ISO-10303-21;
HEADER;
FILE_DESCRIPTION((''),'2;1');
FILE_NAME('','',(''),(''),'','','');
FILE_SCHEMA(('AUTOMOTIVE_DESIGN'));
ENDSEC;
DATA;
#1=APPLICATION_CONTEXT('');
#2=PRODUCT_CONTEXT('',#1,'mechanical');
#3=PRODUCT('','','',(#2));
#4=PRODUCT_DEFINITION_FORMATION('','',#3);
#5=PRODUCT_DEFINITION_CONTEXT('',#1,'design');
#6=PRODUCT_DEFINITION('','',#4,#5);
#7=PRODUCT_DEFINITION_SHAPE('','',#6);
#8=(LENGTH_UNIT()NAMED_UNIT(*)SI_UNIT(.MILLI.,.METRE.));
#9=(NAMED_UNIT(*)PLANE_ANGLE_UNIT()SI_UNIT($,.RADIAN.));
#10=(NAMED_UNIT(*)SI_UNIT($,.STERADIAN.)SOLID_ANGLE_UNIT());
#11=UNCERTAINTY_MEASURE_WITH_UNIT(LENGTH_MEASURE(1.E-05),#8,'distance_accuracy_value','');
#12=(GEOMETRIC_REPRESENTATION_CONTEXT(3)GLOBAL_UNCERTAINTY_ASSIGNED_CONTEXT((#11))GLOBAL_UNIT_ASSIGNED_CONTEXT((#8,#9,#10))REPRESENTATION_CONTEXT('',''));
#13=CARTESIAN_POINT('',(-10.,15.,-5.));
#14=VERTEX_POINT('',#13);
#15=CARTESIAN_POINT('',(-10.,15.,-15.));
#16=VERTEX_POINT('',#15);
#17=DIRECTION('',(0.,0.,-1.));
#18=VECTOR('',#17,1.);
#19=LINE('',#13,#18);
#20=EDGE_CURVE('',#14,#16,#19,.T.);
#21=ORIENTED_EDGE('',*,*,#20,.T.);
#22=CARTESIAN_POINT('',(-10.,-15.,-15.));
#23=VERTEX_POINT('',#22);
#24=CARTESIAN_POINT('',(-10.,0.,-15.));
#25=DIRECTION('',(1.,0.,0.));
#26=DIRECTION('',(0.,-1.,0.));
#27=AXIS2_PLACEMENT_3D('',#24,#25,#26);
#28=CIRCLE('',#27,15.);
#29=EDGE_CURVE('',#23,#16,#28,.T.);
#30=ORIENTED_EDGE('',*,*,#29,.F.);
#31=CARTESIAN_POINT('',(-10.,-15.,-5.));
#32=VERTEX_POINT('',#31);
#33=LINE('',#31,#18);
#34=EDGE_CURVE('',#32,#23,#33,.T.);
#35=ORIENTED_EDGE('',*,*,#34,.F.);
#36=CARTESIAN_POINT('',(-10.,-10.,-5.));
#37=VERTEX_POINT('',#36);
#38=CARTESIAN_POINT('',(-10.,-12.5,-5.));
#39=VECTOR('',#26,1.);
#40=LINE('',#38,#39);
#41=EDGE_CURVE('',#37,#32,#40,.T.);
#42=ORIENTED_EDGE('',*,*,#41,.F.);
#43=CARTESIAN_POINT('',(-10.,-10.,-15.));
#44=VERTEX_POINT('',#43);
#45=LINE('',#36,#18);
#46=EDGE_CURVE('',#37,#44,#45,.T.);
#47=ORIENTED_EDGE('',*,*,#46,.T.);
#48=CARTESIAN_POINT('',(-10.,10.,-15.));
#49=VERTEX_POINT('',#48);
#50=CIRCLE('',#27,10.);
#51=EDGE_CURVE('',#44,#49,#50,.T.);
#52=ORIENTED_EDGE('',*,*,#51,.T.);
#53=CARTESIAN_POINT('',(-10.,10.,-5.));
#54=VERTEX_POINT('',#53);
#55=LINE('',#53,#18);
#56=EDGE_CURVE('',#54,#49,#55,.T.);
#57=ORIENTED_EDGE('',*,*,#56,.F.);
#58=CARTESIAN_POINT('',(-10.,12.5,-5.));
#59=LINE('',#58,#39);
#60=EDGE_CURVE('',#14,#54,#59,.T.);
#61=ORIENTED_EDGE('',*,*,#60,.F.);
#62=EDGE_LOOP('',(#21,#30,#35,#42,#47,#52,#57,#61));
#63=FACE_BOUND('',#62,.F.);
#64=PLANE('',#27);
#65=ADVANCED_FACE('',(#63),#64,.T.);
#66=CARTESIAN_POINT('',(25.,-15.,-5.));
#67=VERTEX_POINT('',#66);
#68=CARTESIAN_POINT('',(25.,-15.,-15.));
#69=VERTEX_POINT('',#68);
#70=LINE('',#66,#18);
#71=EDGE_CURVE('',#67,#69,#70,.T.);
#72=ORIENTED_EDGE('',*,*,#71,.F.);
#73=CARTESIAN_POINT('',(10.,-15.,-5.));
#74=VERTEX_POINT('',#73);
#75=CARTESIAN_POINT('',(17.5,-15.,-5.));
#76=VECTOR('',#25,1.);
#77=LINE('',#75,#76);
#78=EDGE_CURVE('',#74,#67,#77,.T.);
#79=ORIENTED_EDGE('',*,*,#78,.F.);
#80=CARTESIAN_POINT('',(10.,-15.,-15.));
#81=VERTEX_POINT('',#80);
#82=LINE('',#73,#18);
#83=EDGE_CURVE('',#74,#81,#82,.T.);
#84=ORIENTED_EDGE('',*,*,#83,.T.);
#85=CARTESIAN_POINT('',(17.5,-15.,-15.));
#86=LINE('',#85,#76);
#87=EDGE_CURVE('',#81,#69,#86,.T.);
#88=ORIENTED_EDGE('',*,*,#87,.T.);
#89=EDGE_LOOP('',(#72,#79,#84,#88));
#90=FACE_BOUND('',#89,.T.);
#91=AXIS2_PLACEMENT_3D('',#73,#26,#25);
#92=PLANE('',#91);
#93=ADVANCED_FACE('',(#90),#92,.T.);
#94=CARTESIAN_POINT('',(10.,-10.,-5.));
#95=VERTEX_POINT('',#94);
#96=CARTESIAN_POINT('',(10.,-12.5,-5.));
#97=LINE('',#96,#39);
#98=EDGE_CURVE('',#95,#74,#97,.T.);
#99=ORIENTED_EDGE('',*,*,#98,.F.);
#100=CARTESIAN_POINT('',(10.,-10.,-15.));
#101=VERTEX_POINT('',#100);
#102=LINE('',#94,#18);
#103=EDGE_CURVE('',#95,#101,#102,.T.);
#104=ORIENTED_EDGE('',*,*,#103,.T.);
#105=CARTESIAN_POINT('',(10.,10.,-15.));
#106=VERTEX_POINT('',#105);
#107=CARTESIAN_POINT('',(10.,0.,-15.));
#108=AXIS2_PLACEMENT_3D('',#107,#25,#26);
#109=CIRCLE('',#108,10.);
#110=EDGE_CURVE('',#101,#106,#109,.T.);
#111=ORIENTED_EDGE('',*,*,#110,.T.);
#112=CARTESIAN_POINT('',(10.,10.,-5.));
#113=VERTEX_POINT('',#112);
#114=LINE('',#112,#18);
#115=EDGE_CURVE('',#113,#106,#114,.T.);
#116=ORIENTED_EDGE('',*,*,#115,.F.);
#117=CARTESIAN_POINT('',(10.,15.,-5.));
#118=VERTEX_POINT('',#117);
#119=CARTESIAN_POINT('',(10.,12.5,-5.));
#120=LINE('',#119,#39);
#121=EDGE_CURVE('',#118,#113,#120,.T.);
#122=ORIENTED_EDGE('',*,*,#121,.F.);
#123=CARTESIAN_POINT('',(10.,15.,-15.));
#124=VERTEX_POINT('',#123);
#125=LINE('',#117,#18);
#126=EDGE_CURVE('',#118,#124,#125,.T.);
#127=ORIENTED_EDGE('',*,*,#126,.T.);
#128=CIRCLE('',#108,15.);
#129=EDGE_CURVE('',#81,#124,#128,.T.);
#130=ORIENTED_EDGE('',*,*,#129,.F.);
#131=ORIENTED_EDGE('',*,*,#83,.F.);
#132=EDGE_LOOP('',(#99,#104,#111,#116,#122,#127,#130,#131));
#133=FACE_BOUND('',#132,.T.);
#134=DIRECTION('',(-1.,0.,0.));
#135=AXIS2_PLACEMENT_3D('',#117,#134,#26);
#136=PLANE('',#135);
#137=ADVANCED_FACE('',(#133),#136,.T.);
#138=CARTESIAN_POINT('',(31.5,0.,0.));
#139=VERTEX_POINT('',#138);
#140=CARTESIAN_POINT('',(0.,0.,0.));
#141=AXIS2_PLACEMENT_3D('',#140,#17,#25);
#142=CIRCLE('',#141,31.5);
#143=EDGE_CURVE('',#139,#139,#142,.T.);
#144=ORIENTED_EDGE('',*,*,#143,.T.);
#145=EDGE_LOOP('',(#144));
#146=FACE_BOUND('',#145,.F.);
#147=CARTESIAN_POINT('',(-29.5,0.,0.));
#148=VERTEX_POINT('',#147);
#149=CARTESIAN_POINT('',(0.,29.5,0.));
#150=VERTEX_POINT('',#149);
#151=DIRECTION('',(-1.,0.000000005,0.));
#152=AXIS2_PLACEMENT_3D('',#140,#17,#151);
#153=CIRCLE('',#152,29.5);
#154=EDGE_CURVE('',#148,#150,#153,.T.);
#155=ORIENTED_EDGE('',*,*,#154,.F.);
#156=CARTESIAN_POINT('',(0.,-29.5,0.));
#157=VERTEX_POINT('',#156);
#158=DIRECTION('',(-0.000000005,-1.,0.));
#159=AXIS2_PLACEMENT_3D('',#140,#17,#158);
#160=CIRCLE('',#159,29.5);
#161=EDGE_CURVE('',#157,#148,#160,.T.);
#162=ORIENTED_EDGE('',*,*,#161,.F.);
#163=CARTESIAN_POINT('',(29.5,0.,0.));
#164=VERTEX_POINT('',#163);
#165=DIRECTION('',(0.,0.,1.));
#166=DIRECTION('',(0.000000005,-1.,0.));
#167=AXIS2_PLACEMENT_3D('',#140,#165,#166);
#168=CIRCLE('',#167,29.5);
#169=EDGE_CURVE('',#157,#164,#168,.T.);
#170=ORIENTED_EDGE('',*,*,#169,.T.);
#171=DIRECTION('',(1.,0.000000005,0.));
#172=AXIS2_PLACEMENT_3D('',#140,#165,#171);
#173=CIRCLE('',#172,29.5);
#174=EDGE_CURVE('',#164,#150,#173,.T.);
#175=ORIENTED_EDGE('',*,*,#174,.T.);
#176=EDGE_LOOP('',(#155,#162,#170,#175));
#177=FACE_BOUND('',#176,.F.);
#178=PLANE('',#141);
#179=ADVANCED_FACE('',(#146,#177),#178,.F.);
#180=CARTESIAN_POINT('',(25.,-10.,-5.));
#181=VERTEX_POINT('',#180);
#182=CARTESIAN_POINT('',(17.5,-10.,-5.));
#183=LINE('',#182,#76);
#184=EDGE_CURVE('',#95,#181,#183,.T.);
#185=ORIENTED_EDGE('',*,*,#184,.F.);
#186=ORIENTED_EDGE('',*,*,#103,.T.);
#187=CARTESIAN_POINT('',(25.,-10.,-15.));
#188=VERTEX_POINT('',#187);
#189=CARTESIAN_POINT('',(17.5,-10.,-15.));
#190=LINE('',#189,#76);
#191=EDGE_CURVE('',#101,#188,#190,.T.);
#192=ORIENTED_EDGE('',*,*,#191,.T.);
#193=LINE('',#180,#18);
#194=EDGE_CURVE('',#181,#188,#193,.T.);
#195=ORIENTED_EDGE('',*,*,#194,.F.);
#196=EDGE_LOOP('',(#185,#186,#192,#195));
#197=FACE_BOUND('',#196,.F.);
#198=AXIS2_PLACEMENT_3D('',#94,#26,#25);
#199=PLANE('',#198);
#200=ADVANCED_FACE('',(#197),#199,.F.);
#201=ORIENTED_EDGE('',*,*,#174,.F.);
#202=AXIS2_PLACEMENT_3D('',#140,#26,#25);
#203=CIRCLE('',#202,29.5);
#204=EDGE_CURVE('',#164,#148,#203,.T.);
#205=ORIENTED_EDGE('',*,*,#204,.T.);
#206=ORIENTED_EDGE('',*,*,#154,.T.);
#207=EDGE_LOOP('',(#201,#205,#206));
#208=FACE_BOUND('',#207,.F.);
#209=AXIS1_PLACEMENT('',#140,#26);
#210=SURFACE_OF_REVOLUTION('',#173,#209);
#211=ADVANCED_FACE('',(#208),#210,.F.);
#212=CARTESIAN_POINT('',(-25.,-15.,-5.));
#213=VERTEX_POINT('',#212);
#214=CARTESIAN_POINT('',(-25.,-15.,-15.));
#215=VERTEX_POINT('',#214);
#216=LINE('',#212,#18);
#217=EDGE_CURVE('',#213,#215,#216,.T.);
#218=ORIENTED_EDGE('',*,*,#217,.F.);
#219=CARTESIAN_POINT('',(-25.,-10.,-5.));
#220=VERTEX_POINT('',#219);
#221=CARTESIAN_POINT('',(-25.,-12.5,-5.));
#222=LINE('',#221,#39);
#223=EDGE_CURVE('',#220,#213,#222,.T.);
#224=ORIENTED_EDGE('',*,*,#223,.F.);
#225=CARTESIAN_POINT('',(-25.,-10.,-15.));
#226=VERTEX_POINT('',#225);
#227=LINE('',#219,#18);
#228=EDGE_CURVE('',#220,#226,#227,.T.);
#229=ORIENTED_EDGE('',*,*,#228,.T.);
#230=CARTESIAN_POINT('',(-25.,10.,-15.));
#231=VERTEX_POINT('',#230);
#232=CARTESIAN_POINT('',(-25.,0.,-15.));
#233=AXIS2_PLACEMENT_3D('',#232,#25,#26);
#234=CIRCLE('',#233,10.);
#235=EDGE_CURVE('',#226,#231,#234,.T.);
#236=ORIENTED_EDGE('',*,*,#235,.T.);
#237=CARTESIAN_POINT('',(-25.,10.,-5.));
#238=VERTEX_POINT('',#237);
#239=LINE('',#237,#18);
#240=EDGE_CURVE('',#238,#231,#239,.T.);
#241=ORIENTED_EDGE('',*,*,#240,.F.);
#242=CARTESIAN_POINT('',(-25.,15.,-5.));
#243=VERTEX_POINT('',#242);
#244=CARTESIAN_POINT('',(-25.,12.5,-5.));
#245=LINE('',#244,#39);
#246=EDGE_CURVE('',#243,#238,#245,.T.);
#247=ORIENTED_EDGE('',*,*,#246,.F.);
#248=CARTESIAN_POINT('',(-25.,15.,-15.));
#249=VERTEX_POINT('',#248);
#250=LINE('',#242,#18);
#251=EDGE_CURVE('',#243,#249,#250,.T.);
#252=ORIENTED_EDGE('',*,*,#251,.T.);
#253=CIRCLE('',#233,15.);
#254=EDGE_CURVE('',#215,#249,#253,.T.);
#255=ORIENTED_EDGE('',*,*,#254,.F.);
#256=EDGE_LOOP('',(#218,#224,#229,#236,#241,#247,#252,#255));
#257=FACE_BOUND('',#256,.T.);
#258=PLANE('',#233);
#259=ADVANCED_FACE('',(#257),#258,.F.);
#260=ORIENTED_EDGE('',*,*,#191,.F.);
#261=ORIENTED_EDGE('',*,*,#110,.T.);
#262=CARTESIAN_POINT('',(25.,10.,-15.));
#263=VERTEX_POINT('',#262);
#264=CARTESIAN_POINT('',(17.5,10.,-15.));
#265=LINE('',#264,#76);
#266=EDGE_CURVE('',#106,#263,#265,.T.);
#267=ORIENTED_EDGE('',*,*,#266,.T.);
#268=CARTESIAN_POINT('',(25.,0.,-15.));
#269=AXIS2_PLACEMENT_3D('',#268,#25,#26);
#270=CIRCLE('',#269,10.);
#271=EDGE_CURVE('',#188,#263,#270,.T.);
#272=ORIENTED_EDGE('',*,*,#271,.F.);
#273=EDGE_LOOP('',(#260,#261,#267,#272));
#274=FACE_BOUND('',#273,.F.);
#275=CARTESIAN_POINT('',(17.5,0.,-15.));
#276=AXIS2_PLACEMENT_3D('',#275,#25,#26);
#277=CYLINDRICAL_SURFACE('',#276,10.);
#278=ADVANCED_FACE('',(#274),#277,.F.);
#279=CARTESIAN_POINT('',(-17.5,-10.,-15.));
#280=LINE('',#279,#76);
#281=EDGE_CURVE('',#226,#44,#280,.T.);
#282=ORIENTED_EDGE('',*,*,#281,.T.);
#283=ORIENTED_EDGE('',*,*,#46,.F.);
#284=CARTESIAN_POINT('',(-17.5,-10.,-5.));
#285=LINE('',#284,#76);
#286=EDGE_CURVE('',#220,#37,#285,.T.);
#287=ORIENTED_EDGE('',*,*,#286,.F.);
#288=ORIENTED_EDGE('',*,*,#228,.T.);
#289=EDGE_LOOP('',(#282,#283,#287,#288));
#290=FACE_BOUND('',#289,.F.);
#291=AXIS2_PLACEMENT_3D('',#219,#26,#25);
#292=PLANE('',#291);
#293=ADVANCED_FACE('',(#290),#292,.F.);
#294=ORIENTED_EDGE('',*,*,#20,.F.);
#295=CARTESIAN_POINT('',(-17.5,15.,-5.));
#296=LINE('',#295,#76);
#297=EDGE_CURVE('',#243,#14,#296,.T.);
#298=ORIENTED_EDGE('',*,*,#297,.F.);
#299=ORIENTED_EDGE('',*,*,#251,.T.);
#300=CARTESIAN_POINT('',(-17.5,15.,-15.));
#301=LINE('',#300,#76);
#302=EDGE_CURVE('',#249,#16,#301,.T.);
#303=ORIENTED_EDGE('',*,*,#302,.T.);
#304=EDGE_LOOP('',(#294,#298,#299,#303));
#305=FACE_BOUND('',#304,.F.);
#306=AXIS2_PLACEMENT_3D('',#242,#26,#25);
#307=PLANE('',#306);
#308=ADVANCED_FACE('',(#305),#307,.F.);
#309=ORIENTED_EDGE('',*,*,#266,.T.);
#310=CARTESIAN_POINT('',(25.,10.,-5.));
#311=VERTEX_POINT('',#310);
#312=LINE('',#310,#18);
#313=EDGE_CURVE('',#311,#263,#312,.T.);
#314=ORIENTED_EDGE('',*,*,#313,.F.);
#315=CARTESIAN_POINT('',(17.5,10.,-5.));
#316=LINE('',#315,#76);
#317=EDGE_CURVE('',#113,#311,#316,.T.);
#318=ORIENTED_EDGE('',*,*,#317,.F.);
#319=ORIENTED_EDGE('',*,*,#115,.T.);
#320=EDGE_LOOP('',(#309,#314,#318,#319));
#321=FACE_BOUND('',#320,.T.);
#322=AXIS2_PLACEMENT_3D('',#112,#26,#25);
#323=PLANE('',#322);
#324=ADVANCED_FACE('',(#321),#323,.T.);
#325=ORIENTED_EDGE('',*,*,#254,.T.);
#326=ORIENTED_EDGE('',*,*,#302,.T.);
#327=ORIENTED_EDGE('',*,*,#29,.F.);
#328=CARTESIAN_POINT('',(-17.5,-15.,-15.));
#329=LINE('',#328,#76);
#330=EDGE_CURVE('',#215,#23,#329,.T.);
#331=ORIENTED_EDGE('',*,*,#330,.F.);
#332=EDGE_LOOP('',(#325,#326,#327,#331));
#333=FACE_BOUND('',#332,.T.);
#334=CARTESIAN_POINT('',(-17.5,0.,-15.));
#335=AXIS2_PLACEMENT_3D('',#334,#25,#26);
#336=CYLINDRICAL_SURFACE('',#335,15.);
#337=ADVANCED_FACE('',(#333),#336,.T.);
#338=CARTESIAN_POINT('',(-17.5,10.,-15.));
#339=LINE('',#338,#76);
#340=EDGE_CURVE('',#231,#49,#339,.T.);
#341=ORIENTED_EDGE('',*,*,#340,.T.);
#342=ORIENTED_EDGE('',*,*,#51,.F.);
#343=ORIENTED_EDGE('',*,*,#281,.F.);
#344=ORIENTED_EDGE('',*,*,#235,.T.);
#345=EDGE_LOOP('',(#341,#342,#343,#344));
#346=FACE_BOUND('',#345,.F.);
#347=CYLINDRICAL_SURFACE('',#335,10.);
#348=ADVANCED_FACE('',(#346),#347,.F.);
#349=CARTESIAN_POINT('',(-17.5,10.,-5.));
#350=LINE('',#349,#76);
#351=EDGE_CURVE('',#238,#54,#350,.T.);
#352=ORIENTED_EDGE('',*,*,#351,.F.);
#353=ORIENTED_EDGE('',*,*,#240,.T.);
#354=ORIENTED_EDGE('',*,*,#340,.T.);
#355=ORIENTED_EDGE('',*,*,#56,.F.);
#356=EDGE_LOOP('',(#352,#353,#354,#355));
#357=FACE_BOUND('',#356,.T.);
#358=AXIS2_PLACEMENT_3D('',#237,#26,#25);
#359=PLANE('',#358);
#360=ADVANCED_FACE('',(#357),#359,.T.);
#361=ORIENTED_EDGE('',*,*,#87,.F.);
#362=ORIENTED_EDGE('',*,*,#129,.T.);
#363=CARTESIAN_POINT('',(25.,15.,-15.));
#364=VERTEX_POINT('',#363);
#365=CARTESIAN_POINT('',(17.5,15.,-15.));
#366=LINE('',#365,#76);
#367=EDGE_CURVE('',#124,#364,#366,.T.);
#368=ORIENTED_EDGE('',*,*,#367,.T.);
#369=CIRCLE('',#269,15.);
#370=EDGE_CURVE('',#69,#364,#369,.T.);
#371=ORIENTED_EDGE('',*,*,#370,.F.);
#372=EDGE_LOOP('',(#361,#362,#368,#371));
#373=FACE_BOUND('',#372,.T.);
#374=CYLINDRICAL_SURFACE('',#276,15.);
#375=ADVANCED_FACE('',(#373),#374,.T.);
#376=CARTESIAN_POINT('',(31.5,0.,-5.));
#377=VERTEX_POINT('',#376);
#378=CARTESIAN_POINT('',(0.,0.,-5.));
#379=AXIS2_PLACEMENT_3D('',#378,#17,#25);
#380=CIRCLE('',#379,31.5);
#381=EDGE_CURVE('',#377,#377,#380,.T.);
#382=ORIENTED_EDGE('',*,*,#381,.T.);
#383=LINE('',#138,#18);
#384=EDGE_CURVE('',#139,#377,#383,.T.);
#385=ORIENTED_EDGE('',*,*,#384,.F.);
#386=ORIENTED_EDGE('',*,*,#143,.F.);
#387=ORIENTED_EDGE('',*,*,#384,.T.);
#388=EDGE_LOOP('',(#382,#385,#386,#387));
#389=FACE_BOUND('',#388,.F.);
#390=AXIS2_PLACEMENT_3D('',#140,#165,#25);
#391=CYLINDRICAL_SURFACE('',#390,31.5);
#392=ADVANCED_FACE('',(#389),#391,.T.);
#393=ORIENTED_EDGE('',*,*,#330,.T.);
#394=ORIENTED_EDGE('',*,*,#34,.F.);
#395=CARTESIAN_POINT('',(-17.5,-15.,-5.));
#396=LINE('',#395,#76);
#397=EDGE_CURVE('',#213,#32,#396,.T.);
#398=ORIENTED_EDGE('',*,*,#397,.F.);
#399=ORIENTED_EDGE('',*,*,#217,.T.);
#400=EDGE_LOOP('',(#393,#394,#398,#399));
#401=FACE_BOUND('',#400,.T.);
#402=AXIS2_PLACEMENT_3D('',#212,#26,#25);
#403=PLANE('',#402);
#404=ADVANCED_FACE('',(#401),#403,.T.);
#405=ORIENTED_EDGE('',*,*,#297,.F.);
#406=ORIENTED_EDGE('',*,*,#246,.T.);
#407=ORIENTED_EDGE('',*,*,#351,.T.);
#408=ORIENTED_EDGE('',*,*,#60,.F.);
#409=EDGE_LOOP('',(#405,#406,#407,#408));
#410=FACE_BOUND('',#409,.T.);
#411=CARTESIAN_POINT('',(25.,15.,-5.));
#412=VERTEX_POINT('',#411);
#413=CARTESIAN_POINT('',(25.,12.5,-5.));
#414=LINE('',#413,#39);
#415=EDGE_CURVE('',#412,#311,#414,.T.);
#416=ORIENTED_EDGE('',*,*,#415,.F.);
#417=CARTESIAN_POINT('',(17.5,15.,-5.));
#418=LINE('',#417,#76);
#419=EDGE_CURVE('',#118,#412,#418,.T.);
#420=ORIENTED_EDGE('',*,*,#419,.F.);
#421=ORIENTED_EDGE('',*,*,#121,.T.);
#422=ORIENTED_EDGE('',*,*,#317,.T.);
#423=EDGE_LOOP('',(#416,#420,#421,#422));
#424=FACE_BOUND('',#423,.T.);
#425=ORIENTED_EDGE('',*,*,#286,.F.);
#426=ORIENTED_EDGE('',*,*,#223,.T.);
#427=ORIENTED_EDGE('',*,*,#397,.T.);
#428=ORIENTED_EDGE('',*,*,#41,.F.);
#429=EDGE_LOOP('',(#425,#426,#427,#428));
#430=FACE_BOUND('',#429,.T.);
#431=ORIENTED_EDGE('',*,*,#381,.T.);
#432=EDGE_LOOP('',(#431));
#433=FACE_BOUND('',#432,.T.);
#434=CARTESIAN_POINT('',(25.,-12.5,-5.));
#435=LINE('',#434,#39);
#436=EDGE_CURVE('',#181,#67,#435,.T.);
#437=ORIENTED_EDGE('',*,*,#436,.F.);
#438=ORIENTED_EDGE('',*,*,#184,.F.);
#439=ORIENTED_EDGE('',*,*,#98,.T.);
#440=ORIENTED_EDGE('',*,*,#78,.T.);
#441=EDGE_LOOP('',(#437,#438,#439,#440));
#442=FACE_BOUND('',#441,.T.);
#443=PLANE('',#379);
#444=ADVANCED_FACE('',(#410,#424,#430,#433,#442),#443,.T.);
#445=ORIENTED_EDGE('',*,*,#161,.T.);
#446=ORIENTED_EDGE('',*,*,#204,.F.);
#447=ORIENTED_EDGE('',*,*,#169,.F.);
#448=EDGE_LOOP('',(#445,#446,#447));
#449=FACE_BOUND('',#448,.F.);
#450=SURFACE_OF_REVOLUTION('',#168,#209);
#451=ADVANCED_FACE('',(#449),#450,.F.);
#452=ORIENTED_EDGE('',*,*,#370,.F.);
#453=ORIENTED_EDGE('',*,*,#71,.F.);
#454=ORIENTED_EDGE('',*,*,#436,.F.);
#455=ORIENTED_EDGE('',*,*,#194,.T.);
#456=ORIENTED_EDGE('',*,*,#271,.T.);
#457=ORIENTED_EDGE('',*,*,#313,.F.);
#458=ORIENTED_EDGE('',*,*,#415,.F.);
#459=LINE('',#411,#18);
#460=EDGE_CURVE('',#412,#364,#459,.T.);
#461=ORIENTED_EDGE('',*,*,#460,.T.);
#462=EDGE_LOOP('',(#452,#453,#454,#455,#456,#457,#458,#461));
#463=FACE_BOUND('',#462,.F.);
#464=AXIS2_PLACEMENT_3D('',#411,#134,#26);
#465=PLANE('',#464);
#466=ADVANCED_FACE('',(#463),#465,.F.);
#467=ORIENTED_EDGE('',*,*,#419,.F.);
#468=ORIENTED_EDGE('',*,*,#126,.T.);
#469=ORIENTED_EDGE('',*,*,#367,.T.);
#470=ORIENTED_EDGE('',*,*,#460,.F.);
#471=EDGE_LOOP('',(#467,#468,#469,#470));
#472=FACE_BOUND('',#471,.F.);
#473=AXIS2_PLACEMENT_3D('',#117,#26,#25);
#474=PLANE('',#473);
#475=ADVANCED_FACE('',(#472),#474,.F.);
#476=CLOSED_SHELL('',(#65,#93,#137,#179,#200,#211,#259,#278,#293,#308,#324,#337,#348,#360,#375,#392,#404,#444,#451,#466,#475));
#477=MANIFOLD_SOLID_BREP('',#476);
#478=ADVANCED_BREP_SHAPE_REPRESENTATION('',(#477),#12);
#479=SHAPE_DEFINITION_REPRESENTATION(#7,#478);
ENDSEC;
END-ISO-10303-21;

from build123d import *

# Parameters (mm, degrees)
F1_ANGLE  = 180
F2_R      = 31.5
F3_DEPTH  = 5
F4_W      = 15
F4_H      = 5
F5_DEPTH  = 10
F6_W      = 15
F6_H      = 5
F5_FACE_W = 15
F5_FACE_H = 5
F7_ANGLE  = 180


with BuildPart() as f1:
    # F0 (on Top) → F1 (revolve)
    with BuildSketch(Plane.XY):
        with BuildLine():
            ThreePointArc((0, -29.5), (20.85965, -20.85965), (29.5, 0))
            ThreePointArc((29.5, 0), (20.85965, 20.85965), (0, 29.5))
            Line((0, 29.5), (0, -29.5))
        make_face()
    revolve(axis=Axis((0, 0, 0), (0, -1, 0)), revolution_arc=F1_ANGLE)

    # F2 (on face) → F3 (join)
    with BuildSketch(Plane(origin=(0, 0, 0), x_dir=(1, 0, 0), z_dir=(0, 0, -1))):
        Circle(F2_R)
    extrude(amount=F3_DEPTH)

    # F4 (on face) → F5 (join)
    with BuildSketch(Plane(origin=(0, 0, -5), x_dir=(1, 0, 0), z_dir=(0, 0, -1))):
        with Locations((-17.5, 12.5)):
            Rectangle(F4_W, F4_H)
        with Locations((-17.5, -12.5)):
            Rectangle(F4_W, F4_H)
        with Locations((17.5, 12.5)):
            Rectangle(F4_W, F4_H)
        with Locations((17.5, -12.5)):
            Rectangle(F4_W, F4_H)
    extrude(amount=F5_DEPTH)

    # F6 (on face) + F5_face (on face) → F7 (revolve)
    with BuildSketch(Plane(origin=(0, 0, -15), x_dir=(1, 0, 0), z_dir=(0, 0, -1))):
        with Locations((-17.5, 12.5)):
            Rectangle(F6_W, F6_H)
    with BuildSketch(Plane(origin=(-17.5, -12.5, -15), x_dir=(1, 0, 0), z_dir=(0, 0, -1))):
        with Locations((35, 0)):
            Rectangle(F5_FACE_W, F5_FACE_H)
    revolve(axis=Axis((1.326716, 0, -15), (1, 0, 0)), revolution_arc=F7_ANGLE)


solid = f1.part
